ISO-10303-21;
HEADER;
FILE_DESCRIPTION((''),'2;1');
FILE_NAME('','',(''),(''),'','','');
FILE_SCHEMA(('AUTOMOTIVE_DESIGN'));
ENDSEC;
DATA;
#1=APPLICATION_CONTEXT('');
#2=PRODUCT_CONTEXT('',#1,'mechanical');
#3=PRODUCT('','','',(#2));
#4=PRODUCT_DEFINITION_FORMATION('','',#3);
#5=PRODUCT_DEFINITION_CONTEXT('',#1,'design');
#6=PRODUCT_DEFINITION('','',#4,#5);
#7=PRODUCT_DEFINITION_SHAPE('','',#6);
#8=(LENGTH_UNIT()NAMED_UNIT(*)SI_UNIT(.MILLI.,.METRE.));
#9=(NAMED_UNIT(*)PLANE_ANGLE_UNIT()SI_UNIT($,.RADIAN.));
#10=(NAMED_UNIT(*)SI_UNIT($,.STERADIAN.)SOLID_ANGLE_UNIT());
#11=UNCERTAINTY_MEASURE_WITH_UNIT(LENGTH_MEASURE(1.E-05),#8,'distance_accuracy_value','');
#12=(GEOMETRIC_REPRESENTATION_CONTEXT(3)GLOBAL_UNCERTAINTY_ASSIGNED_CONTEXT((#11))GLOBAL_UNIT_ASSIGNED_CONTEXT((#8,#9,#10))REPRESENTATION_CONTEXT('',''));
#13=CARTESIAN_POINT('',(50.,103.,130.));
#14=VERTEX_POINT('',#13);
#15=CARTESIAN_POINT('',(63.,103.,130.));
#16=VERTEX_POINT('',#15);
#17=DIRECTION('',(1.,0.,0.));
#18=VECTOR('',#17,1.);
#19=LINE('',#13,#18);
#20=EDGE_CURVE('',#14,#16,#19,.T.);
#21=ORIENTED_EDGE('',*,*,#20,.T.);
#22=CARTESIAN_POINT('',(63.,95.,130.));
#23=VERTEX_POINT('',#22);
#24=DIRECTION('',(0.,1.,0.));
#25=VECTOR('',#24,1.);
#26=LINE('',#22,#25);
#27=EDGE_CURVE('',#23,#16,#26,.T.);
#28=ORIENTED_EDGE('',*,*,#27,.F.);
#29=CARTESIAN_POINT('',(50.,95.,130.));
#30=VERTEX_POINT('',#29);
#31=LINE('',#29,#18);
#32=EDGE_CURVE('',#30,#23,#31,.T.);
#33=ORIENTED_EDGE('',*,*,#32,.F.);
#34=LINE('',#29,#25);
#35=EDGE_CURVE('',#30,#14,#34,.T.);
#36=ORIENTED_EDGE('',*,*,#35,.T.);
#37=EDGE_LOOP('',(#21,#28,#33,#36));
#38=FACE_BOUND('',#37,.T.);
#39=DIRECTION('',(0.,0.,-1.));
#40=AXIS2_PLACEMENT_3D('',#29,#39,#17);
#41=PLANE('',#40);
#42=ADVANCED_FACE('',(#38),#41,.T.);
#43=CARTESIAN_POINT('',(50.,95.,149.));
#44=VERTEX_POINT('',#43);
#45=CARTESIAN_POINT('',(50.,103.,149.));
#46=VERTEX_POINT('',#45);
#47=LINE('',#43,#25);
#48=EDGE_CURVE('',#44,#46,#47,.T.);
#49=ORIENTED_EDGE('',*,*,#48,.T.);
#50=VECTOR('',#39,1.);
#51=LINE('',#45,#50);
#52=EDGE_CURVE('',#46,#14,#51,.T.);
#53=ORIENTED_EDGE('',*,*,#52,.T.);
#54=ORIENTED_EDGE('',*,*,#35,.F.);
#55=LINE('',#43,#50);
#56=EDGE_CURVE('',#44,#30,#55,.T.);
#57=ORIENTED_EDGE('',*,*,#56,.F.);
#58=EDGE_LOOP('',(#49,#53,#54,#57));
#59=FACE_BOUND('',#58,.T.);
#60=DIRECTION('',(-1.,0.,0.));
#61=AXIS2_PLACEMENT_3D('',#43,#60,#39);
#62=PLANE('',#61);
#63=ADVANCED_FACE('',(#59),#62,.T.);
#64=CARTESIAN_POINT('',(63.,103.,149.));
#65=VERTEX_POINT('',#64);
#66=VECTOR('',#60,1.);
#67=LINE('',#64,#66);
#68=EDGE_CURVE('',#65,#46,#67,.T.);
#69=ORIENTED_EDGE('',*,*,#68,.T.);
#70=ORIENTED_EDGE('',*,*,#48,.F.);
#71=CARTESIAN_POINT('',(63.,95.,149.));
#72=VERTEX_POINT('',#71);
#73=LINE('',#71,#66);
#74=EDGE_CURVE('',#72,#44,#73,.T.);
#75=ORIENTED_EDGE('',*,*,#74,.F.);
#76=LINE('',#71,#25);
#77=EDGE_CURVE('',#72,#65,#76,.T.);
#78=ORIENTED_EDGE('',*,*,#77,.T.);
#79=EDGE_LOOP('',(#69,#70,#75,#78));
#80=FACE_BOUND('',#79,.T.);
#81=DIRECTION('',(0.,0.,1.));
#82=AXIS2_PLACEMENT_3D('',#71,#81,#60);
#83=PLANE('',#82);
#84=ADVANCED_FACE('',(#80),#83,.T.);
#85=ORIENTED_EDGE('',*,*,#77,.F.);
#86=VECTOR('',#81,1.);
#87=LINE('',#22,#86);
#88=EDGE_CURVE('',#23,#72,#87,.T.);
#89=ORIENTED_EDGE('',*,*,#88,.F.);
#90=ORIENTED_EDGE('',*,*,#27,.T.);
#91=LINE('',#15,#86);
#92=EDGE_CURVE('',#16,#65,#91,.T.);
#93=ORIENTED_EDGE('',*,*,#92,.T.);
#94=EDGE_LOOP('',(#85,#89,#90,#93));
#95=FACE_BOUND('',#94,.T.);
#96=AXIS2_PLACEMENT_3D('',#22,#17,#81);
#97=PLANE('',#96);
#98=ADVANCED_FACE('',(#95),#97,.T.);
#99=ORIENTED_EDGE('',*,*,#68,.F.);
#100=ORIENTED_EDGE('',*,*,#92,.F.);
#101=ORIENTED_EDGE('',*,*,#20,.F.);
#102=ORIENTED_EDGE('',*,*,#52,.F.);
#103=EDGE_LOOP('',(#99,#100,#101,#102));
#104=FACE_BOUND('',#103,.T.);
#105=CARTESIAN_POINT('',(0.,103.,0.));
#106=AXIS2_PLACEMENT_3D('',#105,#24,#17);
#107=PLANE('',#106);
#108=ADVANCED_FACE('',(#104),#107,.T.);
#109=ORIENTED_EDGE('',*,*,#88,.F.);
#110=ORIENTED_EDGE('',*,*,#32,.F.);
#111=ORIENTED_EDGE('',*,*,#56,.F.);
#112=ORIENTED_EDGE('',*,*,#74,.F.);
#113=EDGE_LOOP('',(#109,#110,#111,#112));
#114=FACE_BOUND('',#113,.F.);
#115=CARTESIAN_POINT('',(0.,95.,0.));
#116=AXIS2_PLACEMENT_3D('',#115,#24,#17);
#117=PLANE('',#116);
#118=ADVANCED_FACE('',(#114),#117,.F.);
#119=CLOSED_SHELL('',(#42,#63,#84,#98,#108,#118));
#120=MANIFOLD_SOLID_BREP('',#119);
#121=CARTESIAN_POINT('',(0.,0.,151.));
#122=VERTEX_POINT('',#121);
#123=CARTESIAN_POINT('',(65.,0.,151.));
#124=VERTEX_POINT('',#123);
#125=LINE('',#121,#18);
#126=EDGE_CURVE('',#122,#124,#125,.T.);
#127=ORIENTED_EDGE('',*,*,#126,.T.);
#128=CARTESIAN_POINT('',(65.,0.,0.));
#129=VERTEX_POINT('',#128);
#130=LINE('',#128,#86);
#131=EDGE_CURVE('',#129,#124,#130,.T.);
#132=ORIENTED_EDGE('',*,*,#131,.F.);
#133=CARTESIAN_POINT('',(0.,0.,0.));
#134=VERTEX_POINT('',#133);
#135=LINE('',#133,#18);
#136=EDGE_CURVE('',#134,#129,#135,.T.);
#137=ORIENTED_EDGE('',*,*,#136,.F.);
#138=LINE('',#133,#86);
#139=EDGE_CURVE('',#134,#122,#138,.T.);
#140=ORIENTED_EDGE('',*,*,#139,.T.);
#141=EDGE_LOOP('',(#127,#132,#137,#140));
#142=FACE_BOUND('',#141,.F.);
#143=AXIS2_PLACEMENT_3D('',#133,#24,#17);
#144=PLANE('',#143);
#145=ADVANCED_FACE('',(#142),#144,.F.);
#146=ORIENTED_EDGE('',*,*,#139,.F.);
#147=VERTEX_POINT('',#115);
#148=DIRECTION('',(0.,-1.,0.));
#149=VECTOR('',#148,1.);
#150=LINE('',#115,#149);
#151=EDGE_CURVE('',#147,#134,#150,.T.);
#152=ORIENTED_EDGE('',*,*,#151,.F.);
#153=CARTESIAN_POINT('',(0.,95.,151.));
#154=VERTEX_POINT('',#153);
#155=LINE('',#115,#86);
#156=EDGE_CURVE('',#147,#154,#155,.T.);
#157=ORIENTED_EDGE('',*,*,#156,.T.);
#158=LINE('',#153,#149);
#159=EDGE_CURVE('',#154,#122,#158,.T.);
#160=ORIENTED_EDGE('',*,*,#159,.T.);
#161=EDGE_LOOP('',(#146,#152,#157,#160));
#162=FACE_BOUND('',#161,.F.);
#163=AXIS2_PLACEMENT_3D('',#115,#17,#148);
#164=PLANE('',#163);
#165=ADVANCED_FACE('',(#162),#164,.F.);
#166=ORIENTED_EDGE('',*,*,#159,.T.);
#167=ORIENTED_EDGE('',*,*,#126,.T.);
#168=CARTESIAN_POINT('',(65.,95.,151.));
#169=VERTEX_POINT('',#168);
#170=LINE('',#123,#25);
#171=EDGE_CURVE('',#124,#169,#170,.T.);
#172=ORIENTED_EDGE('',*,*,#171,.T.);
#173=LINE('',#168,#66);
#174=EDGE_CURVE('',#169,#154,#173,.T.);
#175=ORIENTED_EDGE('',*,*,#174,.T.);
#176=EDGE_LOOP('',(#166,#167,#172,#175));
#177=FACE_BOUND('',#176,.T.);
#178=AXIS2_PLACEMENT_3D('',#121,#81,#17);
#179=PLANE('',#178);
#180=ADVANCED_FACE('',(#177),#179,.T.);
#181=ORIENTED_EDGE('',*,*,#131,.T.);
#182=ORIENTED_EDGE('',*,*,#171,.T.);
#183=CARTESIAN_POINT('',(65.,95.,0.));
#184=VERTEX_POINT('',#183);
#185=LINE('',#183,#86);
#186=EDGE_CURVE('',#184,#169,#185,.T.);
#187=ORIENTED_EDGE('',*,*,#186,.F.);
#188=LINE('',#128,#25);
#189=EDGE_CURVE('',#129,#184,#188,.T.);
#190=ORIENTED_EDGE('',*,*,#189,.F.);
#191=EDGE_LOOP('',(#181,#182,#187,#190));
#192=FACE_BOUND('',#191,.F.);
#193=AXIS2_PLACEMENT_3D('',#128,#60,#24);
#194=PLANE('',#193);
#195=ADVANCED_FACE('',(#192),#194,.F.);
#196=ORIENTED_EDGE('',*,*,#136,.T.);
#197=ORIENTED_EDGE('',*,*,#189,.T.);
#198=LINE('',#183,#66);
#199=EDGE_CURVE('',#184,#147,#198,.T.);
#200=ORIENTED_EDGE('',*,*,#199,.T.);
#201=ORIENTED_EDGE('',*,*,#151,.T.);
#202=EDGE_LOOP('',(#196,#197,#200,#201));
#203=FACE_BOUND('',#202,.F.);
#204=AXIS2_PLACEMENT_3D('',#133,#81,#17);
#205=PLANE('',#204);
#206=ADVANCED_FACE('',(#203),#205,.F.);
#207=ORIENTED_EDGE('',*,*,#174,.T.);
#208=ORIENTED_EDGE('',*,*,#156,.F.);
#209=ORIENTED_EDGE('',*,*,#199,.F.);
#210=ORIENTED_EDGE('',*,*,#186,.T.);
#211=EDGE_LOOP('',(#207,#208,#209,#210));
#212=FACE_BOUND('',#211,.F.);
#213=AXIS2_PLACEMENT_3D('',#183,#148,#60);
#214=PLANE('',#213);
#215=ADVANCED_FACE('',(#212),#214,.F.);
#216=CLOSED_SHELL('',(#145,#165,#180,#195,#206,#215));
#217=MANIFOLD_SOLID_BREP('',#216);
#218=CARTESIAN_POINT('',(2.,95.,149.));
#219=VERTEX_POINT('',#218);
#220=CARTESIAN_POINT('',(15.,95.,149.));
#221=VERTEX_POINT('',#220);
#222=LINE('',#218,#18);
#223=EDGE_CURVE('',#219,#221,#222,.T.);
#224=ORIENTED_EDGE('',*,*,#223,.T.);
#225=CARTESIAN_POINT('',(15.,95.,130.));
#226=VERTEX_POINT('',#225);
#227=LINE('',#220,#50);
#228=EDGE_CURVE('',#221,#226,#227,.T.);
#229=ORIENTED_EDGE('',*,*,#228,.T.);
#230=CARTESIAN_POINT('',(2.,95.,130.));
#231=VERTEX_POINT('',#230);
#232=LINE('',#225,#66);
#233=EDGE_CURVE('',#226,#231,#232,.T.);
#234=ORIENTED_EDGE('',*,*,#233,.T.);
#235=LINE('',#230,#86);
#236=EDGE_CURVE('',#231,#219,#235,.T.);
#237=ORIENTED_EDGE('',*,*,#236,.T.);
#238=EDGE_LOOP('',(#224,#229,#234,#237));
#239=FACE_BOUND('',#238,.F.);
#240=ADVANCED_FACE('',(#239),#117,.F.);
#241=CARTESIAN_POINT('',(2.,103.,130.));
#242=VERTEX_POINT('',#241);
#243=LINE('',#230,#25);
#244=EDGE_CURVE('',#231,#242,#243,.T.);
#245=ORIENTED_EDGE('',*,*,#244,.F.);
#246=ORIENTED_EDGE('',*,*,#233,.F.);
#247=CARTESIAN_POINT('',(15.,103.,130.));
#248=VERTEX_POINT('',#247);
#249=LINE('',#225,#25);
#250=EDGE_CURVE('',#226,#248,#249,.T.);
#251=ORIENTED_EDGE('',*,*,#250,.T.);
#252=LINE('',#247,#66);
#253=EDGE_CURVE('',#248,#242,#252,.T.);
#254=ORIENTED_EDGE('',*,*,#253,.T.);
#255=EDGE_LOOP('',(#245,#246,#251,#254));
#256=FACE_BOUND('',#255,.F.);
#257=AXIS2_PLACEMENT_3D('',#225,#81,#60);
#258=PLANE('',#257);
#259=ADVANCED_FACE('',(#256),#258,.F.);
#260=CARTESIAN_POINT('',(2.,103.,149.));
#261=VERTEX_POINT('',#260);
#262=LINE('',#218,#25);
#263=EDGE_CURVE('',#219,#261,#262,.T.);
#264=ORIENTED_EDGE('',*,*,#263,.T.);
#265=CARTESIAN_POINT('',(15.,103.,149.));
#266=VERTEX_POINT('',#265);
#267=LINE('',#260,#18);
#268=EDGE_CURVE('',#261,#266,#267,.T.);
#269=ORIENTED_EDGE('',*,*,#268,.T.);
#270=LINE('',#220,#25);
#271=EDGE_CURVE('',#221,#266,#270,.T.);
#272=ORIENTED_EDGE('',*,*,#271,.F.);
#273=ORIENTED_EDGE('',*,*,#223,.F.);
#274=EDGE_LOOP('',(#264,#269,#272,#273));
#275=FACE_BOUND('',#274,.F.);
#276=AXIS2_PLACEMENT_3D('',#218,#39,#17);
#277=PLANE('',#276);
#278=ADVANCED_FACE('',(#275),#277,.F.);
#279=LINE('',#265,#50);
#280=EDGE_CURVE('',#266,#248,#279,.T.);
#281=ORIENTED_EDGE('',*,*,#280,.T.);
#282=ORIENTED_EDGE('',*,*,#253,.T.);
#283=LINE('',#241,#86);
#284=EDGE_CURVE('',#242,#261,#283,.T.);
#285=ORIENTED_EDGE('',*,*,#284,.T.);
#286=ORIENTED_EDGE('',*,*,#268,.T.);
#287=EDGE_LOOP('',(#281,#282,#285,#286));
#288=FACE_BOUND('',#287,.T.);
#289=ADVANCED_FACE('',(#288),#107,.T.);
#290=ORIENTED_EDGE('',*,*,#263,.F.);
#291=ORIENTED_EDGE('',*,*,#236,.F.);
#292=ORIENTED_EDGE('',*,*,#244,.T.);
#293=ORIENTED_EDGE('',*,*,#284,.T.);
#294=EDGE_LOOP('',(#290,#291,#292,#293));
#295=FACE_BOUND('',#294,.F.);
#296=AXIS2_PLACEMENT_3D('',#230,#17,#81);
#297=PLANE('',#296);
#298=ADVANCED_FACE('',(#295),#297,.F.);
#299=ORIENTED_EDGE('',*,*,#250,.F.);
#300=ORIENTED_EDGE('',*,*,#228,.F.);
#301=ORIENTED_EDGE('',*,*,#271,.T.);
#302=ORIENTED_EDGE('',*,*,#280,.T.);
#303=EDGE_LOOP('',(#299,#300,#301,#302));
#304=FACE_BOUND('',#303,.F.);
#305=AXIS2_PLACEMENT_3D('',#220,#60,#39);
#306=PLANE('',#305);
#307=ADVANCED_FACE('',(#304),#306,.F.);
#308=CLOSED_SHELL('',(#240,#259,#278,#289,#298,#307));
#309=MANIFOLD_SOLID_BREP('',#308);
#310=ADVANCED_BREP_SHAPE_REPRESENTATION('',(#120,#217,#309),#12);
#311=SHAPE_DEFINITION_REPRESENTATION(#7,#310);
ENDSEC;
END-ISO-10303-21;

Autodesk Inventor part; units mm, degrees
ref_plane "YZ Plane" through (0, 0, 0) normal (1, 0, 0) x (0, 1, 0)
ref_plane "XZ Plane" through (0, 0, 0) normal (0, 1, 0) x (-1, 0, 0)
ref_plane "XY Plane" through (0, 0, 0) normal (0, 0, 1) x (1, 0, 0)
sketch "Sketch1" plane through (0, 0, 0) normal (0, 0, 1) x (1, 0, 0)
  line L0 (0, 0) -> (65, 0)
  line L1 (65, 0) -> (65, 95)
  line L2 (65, 95) -> (0, 95)
  line L3 (0, 95) -> (0, 0)
  dimension "d0" = 95
  dimension "d1" = 65
extrude "Extrusion1" add sketch "Sketch1" along normal blind 151
sketch "Sketch2" plane through (0, 95, 0) normal (0, 1, 0) x (1, 0, 0)
  line L0 (2, -149) -> (15, -149)
  line L1 (15, -149) -> (15, -130)
  line L2 (15, -130) -> (2, -130)
  line L3 (2, -130) -> (2, -149)
  line L4 (0, -151) -> (65, -151) projected
  line L5 (0, 0) -> (0, -151) projected
  dimension "d6" = 2
  dimension "d7" = 19
  dimension "d8" = 13
  dimension "d9" = 2
extrude "Extrusion2" add sketch "Sketch2" along normal blind 8 separate body
sketch "Sketch3" plane through (0, 95, 0) normal (0, 1, 0) x (1, 0, 0)
  line L0 (0, -151) -> (65, -151) projected
  line L1 (65, 0) -> (65, -151) projected
  line L2 (63, -149) -> (50, -149)
  line L3 (50, -149) -> (50, -130)
  line L4 (50, -130) -> (63, -130)
  line L5 (63, -130) -> (63, -149)
  dimension "d10" = 19
  dimension "d11" = 13
  dimension "d12" = 2
  dimension "d13" = 2
extrude "Extrusion3" add sketch "Sketch3" along normal blind 8 separate body
properties part number "TB1272-Battery"
